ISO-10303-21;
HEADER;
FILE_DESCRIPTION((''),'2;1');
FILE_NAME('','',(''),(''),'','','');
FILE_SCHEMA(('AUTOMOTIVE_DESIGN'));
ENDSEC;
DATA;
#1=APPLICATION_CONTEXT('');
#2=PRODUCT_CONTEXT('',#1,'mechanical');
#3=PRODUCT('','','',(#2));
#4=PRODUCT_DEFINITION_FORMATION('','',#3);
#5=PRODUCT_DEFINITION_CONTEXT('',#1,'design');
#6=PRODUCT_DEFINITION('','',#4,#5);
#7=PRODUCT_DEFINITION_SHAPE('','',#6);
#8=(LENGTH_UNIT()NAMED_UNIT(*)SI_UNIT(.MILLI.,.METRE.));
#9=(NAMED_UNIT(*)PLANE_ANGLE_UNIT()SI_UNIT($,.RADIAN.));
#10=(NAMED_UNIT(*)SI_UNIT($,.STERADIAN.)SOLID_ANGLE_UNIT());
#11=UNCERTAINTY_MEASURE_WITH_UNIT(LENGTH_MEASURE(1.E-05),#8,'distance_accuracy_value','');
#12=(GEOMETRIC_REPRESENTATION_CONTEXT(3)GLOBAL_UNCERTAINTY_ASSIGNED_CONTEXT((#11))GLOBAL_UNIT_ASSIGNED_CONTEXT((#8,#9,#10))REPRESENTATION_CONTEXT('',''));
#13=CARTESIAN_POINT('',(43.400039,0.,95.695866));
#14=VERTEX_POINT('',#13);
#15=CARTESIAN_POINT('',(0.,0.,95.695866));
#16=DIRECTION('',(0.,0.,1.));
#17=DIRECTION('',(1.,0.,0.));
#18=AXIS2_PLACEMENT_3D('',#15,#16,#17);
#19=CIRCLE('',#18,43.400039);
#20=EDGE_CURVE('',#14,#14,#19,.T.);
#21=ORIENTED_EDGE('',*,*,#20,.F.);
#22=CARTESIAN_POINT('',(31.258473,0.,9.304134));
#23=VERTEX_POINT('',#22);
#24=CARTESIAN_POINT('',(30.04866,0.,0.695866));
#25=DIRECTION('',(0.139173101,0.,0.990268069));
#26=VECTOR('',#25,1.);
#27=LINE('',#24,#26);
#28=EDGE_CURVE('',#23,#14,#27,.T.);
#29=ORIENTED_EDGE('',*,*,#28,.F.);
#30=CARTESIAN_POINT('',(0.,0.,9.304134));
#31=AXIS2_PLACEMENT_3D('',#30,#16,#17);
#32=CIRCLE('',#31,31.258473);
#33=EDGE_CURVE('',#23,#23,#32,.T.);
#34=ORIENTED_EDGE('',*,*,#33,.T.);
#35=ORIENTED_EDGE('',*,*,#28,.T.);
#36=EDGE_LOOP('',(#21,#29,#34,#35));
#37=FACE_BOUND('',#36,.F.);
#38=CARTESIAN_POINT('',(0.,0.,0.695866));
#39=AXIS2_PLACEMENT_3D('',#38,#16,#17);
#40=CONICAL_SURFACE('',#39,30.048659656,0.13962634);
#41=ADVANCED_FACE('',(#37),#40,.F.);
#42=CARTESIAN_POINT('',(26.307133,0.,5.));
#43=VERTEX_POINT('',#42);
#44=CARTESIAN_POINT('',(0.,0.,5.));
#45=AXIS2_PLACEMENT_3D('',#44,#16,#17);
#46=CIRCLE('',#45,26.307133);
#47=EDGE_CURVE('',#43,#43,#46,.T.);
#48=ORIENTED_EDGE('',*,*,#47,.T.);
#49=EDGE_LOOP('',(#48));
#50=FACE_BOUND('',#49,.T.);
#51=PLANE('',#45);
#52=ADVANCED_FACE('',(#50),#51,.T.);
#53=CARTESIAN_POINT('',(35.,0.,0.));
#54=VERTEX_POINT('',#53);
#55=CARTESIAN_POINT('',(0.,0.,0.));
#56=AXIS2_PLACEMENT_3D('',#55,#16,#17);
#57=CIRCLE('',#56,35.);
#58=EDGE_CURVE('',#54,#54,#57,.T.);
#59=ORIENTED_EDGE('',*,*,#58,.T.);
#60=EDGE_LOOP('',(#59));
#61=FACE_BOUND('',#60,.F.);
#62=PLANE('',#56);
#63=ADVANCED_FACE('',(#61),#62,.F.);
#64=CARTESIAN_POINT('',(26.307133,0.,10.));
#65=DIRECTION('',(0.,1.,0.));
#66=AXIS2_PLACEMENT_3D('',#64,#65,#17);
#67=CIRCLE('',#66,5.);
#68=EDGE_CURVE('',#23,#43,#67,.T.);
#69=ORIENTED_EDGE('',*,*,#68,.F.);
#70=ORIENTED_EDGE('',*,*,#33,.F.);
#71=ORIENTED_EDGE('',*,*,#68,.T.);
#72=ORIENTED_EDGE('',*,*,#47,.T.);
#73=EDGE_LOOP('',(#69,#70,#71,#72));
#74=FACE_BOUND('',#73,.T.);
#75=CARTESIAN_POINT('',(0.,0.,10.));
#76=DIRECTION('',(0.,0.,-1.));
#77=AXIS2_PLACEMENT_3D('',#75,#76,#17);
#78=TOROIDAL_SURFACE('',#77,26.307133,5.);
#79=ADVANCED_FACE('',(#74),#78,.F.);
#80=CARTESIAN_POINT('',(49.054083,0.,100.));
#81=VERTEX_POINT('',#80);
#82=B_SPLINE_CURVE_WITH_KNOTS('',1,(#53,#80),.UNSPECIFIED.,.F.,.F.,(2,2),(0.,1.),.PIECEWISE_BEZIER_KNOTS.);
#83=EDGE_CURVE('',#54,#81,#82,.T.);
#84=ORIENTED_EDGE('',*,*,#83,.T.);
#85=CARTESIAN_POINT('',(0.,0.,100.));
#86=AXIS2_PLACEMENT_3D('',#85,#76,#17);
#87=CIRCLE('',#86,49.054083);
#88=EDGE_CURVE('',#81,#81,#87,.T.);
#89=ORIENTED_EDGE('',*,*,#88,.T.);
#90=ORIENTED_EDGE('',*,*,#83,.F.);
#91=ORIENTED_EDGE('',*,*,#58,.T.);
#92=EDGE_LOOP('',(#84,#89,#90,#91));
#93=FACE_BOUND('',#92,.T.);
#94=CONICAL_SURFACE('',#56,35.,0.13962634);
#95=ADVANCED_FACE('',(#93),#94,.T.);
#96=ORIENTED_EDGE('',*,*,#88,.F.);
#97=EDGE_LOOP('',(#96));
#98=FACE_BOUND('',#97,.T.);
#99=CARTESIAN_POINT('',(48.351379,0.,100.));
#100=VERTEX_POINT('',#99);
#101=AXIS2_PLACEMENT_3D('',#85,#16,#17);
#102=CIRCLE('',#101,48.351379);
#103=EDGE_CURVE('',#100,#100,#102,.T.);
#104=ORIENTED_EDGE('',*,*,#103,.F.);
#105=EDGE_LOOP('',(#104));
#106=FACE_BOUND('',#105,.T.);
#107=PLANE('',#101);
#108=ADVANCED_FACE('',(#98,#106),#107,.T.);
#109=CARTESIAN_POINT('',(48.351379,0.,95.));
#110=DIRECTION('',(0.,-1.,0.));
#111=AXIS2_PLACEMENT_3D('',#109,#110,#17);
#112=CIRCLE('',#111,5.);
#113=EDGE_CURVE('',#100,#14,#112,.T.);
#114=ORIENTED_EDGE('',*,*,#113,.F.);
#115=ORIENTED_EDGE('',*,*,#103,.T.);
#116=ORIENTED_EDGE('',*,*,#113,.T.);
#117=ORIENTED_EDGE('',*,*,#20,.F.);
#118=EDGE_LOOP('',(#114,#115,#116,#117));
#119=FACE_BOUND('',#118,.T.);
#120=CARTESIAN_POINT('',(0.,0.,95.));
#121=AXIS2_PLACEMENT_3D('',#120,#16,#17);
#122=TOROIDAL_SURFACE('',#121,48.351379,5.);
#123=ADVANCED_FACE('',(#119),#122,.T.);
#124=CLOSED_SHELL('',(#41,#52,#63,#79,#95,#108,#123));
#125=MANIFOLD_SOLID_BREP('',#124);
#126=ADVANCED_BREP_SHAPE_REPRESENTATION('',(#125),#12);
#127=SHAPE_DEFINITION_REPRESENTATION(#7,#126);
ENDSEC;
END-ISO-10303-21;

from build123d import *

# Parameters (mm, degrees)
F0_R     = 35
F1_DEPTH = 100
F1_TAPER = -8
F2_T     = -5
F3_R     = 5


with BuildPart() as f1:
    # F0 (on Top) → F1 (new body)
    with BuildSketch(Plane.XY):
        Circle(F0_R)
    extrude(amount=F1_DEPTH, taper=F1_TAPER)

    # F2
    f2_openings = [f1.faces().sort_by_distance(p)[0] for p in [
        (0, 0, 100),
    ]]
    offset(amount=F2_T, openings=f2_openings, kind=Kind.INTERSECTION)

    # F3
    f3_edges = [f1.edges().sort_by_distance(p)[0] for p in [
        (-44.004946, 0, 100),
        (-30.653566, 0, 5),
    ]]
    fillet(f3_edges, radius=F3_R)


solid = f1.part
